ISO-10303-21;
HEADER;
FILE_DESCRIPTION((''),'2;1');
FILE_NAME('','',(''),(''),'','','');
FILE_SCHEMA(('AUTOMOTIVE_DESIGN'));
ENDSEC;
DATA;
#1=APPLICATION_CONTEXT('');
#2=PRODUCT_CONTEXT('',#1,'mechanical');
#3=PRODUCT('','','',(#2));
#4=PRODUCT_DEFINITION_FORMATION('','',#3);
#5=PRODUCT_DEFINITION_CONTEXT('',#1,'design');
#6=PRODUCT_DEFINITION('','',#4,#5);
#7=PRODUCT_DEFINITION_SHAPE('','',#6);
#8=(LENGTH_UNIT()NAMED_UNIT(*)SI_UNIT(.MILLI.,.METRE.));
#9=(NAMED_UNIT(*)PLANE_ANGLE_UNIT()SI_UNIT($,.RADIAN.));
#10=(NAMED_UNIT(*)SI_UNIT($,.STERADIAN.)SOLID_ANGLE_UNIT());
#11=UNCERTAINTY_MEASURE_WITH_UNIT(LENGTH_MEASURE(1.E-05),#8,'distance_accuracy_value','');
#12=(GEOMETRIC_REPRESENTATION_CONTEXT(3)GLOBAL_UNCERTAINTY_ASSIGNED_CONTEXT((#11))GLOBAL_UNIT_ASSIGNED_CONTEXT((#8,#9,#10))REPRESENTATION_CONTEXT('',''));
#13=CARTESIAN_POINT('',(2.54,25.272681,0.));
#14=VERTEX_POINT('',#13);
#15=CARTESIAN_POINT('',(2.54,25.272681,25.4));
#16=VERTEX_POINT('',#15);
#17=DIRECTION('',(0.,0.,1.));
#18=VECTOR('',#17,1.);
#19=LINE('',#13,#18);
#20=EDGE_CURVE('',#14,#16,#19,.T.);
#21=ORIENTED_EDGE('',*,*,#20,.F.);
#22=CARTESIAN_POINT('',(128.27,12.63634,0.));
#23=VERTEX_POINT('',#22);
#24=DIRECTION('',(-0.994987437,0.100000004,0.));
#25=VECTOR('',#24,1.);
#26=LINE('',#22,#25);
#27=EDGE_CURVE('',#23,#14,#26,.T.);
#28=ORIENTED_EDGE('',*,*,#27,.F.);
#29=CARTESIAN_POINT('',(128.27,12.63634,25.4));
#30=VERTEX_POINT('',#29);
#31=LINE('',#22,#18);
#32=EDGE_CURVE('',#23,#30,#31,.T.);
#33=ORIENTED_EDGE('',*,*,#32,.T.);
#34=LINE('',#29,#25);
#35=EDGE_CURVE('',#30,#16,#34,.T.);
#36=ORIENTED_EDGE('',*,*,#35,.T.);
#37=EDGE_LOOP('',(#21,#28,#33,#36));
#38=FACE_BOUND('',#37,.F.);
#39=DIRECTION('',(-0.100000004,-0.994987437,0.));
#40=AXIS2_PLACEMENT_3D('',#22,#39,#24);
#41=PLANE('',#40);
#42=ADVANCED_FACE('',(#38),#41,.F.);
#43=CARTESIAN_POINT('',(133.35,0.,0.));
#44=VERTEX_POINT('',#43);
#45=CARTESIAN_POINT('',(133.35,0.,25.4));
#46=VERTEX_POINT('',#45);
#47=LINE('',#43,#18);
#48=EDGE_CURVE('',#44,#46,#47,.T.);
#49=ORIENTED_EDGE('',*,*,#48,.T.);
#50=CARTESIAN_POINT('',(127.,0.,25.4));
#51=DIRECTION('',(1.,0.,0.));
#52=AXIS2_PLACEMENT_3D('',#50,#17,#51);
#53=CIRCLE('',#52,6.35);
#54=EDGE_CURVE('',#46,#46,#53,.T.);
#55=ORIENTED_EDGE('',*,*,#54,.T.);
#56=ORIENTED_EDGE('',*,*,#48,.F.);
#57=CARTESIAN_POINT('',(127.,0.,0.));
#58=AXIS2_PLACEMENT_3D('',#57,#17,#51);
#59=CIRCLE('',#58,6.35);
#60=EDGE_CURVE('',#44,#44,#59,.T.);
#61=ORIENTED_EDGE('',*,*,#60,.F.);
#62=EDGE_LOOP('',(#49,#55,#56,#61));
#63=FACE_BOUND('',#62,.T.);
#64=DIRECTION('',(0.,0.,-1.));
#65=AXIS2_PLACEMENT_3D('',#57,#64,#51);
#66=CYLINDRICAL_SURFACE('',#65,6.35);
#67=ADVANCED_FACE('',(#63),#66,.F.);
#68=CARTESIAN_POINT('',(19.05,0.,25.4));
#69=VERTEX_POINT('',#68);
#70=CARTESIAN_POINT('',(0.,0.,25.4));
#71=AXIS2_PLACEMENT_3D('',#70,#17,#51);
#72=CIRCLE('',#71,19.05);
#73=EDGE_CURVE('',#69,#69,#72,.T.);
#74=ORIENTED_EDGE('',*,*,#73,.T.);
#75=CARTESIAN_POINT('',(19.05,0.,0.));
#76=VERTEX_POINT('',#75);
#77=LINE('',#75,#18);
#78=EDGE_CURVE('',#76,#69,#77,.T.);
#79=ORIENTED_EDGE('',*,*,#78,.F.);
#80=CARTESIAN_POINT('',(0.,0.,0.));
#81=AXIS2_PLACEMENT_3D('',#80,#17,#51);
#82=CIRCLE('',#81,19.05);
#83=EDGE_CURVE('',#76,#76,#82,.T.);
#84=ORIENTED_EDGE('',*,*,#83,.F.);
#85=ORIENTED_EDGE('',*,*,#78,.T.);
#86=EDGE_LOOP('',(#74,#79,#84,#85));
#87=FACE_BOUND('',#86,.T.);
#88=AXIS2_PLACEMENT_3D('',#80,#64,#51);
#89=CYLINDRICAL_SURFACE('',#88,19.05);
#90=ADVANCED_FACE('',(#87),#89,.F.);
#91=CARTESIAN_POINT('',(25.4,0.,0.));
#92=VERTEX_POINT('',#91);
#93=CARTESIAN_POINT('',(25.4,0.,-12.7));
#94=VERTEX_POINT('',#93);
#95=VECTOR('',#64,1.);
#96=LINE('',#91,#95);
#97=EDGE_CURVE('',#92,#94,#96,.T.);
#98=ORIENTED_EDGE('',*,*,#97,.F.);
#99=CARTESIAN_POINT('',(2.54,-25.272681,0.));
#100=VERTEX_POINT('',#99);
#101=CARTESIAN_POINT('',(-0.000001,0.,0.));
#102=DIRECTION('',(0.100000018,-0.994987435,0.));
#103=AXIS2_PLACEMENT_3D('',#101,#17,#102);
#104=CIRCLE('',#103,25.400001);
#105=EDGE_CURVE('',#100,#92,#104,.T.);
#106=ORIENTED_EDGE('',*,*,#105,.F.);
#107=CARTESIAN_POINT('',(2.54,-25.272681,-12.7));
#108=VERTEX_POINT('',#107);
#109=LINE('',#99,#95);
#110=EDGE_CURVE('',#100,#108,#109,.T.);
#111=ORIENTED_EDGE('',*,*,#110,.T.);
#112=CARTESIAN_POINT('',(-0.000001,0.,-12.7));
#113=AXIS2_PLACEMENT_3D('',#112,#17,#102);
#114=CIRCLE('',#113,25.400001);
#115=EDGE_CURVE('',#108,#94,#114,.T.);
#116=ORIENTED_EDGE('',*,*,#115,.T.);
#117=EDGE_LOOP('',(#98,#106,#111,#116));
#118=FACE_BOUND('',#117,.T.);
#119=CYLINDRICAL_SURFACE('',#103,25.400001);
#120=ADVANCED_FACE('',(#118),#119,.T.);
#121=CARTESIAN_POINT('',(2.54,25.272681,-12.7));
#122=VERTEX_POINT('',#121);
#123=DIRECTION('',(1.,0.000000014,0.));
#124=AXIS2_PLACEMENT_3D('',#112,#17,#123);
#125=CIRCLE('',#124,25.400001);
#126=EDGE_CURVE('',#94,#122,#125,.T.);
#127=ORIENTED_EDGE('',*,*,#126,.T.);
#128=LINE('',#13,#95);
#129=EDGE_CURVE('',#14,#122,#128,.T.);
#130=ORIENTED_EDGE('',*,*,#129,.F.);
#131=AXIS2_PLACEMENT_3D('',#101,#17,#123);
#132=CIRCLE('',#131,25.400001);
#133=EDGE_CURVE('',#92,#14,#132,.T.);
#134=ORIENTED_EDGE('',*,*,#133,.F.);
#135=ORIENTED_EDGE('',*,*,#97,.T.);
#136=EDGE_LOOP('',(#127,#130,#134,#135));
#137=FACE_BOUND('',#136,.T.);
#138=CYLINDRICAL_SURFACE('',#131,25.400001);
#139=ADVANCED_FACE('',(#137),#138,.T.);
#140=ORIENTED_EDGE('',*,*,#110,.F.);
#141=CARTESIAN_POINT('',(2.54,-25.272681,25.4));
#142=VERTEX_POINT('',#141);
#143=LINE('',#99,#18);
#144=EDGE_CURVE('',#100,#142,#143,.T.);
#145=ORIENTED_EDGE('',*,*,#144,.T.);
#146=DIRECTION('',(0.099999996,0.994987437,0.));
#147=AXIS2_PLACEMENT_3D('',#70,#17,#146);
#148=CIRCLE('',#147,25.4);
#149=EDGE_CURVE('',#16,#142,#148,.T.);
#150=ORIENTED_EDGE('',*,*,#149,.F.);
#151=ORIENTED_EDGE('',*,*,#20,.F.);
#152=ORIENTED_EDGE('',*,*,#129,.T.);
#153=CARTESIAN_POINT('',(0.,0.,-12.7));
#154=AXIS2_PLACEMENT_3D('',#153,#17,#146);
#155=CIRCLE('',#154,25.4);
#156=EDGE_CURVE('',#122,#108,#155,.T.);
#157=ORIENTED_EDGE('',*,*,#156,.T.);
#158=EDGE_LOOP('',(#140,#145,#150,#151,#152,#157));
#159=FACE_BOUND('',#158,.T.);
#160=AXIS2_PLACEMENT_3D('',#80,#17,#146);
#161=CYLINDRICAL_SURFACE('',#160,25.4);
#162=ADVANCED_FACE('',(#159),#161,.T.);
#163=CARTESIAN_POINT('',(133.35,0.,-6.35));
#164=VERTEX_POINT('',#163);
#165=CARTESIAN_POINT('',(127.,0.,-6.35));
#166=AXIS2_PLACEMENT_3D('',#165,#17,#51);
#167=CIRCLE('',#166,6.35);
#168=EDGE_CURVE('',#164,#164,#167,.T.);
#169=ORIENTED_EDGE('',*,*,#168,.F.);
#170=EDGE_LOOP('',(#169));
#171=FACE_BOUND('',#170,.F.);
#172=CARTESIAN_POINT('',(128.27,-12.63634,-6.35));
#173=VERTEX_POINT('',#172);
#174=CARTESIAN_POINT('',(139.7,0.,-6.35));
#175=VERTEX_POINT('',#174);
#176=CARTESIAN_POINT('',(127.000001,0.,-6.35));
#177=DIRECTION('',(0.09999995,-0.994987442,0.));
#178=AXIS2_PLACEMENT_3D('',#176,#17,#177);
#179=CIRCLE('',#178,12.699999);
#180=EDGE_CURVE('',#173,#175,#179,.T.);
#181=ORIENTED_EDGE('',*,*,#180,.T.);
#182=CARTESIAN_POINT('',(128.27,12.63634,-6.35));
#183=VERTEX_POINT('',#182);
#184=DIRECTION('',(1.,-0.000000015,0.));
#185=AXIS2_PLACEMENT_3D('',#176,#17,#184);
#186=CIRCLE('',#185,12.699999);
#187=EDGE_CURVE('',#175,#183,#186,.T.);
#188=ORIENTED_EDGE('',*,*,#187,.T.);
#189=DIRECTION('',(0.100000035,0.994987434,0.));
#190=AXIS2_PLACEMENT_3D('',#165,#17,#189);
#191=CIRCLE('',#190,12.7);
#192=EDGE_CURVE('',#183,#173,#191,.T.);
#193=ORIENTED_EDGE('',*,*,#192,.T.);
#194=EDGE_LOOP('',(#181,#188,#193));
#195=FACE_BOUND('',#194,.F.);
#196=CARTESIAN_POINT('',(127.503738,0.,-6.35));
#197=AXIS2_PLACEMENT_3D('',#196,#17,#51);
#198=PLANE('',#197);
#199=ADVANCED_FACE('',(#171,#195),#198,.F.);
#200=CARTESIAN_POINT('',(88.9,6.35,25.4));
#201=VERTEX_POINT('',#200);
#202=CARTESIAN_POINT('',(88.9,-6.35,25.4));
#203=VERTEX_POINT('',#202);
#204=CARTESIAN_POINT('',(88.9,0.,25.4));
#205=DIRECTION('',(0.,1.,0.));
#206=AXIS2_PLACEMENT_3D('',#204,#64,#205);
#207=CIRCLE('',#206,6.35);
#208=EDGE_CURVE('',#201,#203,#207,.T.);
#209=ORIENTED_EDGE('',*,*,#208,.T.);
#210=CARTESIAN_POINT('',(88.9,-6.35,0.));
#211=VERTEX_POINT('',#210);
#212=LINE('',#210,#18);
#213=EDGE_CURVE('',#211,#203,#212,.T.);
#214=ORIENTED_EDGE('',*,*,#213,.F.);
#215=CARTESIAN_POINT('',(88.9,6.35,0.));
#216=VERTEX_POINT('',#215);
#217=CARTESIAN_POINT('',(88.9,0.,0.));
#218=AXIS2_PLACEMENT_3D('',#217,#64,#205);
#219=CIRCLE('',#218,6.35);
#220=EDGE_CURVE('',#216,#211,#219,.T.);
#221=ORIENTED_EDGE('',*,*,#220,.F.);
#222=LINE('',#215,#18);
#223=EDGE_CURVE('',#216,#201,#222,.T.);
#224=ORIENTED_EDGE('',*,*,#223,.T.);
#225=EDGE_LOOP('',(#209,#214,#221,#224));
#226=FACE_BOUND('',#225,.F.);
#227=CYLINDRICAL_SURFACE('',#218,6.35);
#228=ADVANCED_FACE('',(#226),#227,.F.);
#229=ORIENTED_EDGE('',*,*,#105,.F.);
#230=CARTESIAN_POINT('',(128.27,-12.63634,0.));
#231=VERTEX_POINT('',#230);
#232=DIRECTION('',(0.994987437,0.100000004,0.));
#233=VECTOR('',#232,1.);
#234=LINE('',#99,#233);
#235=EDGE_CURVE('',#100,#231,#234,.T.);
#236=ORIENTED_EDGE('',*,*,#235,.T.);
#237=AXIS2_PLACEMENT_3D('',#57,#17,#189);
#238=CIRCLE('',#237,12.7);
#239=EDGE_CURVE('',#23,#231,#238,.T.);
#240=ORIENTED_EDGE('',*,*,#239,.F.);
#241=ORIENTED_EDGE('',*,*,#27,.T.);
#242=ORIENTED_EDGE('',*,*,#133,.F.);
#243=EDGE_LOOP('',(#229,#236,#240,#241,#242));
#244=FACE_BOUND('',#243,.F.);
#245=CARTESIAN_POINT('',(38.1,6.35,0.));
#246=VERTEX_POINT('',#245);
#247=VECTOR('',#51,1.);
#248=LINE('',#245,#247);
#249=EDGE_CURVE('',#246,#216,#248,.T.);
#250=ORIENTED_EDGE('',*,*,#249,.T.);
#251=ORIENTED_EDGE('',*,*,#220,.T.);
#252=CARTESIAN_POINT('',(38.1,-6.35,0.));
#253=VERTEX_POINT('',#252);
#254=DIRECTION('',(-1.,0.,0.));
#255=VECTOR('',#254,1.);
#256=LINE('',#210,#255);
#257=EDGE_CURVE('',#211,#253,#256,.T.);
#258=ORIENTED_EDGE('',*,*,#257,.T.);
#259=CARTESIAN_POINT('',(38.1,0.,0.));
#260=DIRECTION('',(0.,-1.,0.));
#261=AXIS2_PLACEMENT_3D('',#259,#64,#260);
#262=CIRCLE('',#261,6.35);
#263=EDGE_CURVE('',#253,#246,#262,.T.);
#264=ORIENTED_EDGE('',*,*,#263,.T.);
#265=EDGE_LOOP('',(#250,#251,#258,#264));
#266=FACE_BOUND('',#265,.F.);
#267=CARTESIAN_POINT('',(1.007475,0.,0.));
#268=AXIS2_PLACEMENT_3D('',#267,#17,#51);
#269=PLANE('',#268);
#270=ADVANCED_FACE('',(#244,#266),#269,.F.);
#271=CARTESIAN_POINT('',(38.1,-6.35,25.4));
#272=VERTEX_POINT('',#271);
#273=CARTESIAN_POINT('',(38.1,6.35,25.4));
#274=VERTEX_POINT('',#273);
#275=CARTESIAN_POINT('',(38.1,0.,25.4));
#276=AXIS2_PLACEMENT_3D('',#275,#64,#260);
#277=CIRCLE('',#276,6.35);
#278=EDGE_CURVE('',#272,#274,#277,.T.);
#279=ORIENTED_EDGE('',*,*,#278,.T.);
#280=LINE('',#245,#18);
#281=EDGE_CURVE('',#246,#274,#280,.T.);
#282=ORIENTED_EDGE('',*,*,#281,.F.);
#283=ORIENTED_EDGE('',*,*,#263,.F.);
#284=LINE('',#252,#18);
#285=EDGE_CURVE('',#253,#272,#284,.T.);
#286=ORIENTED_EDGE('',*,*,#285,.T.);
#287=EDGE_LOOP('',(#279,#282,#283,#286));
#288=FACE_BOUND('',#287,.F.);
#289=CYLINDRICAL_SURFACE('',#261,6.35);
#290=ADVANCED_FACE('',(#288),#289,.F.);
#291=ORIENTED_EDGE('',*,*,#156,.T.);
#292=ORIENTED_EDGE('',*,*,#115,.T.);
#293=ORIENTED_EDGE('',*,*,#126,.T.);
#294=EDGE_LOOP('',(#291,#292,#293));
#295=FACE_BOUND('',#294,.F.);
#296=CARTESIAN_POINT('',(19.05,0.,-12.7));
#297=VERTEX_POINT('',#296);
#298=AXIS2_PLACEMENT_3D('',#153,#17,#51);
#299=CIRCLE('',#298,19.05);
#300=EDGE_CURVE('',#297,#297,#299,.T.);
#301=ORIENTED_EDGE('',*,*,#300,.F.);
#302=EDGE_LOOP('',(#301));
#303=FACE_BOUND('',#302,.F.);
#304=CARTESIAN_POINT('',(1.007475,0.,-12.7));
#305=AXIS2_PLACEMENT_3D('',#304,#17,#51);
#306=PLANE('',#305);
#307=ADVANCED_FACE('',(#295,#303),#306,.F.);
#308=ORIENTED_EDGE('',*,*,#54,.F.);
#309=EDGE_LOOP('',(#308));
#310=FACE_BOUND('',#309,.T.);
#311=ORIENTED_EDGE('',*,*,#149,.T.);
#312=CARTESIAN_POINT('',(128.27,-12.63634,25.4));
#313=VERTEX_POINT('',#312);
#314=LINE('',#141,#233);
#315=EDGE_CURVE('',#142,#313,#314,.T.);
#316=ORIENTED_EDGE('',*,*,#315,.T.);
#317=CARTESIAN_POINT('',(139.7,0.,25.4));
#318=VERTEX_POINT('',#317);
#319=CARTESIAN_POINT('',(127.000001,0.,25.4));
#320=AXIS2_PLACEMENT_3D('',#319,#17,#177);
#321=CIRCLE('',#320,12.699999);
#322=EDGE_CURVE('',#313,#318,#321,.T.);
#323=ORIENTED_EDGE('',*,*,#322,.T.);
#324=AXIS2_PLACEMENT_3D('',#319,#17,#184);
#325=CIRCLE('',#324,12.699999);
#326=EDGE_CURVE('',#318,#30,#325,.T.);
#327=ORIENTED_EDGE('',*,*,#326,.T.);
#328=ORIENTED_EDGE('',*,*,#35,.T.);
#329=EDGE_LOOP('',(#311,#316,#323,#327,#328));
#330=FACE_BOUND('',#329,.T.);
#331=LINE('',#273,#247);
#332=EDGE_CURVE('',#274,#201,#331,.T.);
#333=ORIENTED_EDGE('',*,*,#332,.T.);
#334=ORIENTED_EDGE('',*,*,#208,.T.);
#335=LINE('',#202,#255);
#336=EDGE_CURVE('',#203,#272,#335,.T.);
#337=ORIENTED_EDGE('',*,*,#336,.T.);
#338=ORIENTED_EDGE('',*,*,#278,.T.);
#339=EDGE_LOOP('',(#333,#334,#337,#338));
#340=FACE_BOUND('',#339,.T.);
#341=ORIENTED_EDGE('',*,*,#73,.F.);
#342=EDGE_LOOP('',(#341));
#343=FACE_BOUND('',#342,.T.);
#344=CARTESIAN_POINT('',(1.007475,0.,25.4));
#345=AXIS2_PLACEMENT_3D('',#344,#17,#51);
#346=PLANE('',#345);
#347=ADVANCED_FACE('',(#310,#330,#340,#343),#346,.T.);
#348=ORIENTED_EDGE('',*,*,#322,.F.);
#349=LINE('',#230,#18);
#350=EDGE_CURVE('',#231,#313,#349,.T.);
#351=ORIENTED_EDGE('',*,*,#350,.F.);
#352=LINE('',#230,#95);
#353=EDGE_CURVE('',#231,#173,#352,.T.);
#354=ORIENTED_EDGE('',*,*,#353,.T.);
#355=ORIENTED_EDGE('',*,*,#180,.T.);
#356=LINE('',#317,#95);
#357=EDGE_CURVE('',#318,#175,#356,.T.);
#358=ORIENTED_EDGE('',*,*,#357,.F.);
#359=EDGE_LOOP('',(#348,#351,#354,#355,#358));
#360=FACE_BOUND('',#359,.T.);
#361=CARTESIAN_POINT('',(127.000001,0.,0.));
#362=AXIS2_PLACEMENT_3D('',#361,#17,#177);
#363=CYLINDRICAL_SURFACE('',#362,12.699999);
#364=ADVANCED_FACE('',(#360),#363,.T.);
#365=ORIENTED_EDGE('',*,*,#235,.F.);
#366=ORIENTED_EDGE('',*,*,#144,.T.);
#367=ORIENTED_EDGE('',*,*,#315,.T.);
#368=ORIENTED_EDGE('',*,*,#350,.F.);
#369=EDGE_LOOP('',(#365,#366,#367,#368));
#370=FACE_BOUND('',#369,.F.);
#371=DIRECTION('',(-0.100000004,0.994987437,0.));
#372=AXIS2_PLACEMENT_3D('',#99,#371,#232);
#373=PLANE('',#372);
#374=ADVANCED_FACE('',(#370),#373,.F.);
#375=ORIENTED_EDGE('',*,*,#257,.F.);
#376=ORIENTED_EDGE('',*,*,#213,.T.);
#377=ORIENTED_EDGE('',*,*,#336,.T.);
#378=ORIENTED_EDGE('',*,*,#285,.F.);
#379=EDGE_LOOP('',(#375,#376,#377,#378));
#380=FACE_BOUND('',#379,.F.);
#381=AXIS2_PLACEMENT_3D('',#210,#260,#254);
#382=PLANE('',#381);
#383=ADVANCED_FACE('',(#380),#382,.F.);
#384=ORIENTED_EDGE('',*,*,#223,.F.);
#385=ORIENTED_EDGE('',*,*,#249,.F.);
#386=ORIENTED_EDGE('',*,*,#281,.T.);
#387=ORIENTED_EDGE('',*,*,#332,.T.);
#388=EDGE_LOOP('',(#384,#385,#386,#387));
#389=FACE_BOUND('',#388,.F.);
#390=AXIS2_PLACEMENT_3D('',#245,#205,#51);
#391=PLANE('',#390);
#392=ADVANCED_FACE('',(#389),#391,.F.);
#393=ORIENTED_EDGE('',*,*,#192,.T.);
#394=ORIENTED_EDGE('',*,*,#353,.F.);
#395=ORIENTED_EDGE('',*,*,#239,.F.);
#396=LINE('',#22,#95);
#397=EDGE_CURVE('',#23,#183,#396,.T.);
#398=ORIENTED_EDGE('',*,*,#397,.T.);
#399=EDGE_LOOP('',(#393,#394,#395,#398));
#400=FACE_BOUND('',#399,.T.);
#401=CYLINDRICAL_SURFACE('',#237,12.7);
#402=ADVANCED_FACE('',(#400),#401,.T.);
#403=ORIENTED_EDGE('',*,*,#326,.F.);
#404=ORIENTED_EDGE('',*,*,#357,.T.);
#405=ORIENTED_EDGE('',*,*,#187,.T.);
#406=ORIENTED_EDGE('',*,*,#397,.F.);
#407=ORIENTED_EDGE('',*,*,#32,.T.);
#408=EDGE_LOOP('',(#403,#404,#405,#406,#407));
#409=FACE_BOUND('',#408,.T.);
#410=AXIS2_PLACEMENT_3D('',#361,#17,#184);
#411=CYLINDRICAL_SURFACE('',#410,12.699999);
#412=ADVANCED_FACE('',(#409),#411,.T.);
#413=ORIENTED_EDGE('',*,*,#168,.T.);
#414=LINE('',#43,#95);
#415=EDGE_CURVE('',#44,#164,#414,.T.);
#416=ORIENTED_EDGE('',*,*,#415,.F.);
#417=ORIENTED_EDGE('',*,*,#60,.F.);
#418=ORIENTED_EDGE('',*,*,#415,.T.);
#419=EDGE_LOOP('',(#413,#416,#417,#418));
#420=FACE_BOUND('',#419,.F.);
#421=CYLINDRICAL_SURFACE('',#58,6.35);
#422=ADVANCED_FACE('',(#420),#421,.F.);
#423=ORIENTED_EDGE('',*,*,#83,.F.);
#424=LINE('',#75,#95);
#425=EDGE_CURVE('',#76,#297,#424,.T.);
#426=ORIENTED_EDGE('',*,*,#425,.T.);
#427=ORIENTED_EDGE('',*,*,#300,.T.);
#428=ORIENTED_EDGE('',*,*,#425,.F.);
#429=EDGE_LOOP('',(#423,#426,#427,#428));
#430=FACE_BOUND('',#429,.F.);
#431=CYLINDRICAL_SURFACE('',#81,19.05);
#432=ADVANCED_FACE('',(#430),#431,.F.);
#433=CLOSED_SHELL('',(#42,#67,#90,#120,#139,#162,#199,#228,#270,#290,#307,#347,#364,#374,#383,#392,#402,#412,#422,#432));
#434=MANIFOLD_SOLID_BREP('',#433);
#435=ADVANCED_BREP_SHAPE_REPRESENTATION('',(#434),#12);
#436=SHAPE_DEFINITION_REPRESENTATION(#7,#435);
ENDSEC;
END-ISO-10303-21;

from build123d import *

# Parameters (mm, degrees)
F0_R     = 19.05
F0_R_2   = 6.35
F1_DEPTH = 25.4
F2_DEPTH = 6.35
F3_DEPTH = 12.7


with BuildPart() as f1:
    # F0 (on Top) → F1 (new body)
    with BuildSketch(Plane.XY):
        with BuildLine():
            ThreePointArc((2.54, -25.272681), (18.837144, -17.038838), (25.4, 0))
            ThreePointArc((25.4, 0), (18.837144, 17.038838), (2.54, 25.272681))
            ThreePointArc((2.54, 25.272681), (-25.4, 0), (2.54, -25.272681))
        make_face()
        Circle(F0_R, mode=Mode.SUBTRACT)
        with BuildLine():
            ThreePointArc((2.54, 25.272681), (18.837144, 17.038838), (25.4, 0))
            ThreePointArc((25.4, 0), (18.837144, -17.038838), (2.54, -25.272681))
            Line((2.54, -25.272681), (128.27, -12.63634))
            ThreePointArc((128.27, -12.63634), (114.3, 0), (128.27, 12.63634))
            Line((128.27, 12.63634), (2.54, 25.272681))
        make_face()
        with BuildLine():
            ThreePointArc((38.1, -6.35), (31.75, 0), (38.1, 6.35))
            Line((38.1, 6.35), (88.9, 6.35))
            ThreePointArc((88.9, 6.35), (95.25, 0), (88.9, -6.35))
            Line((88.9, -6.35), (38.1, -6.35))
        make_face(mode=Mode.SUBTRACT)
        with BuildLine():
            ThreePointArc((139.7, 0), (136.418572, 8.519419), (128.27, 12.63634))
            ThreePointArc((128.27, 12.63634), (114.3, 0), (128.27, -12.63634))
            ThreePointArc((128.27, -12.63634), (136.418572, -8.519419), (139.7, 0))
        make_face()
        with Locations((127, 0)):
            Circle(F0_R_2, mode=Mode.SUBTRACT)
    extrude(amount=F1_DEPTH)

    # F0 (on Top) → F2 (join)
    with BuildSketch(Plane.XY):
        with BuildLine():
            ThreePointArc((139.7, 0), (136.418572, 8.519419), (128.27, 12.63634))
            ThreePointArc((128.27, 12.63634), (114.3, 0), (128.27, -12.63634))
            ThreePointArc((128.27, -12.63634), (136.418572, -8.519419), (139.7, 0))
        make_face()
        with Locations((127, 0)):
            Circle(F0_R_2, mode=Mode.SUBTRACT)
    extrude(amount=-F2_DEPTH)

    # F0 (on Top) → F3 (join)
    with BuildSketch(Plane.XY):
        with BuildLine():
            ThreePointArc((2.54, -25.272681), (18.837144, -17.038838), (25.4, 0))
            ThreePointArc((25.4, 0), (18.837144, 17.038838), (2.54, 25.272681))
            ThreePointArc((2.54, 25.272681), (-25.4, 0), (2.54, -25.272681))
        make_face()
        Circle(F0_R, mode=Mode.SUBTRACT)
    extrude(amount=-F3_DEPTH)


solid = f1.part
